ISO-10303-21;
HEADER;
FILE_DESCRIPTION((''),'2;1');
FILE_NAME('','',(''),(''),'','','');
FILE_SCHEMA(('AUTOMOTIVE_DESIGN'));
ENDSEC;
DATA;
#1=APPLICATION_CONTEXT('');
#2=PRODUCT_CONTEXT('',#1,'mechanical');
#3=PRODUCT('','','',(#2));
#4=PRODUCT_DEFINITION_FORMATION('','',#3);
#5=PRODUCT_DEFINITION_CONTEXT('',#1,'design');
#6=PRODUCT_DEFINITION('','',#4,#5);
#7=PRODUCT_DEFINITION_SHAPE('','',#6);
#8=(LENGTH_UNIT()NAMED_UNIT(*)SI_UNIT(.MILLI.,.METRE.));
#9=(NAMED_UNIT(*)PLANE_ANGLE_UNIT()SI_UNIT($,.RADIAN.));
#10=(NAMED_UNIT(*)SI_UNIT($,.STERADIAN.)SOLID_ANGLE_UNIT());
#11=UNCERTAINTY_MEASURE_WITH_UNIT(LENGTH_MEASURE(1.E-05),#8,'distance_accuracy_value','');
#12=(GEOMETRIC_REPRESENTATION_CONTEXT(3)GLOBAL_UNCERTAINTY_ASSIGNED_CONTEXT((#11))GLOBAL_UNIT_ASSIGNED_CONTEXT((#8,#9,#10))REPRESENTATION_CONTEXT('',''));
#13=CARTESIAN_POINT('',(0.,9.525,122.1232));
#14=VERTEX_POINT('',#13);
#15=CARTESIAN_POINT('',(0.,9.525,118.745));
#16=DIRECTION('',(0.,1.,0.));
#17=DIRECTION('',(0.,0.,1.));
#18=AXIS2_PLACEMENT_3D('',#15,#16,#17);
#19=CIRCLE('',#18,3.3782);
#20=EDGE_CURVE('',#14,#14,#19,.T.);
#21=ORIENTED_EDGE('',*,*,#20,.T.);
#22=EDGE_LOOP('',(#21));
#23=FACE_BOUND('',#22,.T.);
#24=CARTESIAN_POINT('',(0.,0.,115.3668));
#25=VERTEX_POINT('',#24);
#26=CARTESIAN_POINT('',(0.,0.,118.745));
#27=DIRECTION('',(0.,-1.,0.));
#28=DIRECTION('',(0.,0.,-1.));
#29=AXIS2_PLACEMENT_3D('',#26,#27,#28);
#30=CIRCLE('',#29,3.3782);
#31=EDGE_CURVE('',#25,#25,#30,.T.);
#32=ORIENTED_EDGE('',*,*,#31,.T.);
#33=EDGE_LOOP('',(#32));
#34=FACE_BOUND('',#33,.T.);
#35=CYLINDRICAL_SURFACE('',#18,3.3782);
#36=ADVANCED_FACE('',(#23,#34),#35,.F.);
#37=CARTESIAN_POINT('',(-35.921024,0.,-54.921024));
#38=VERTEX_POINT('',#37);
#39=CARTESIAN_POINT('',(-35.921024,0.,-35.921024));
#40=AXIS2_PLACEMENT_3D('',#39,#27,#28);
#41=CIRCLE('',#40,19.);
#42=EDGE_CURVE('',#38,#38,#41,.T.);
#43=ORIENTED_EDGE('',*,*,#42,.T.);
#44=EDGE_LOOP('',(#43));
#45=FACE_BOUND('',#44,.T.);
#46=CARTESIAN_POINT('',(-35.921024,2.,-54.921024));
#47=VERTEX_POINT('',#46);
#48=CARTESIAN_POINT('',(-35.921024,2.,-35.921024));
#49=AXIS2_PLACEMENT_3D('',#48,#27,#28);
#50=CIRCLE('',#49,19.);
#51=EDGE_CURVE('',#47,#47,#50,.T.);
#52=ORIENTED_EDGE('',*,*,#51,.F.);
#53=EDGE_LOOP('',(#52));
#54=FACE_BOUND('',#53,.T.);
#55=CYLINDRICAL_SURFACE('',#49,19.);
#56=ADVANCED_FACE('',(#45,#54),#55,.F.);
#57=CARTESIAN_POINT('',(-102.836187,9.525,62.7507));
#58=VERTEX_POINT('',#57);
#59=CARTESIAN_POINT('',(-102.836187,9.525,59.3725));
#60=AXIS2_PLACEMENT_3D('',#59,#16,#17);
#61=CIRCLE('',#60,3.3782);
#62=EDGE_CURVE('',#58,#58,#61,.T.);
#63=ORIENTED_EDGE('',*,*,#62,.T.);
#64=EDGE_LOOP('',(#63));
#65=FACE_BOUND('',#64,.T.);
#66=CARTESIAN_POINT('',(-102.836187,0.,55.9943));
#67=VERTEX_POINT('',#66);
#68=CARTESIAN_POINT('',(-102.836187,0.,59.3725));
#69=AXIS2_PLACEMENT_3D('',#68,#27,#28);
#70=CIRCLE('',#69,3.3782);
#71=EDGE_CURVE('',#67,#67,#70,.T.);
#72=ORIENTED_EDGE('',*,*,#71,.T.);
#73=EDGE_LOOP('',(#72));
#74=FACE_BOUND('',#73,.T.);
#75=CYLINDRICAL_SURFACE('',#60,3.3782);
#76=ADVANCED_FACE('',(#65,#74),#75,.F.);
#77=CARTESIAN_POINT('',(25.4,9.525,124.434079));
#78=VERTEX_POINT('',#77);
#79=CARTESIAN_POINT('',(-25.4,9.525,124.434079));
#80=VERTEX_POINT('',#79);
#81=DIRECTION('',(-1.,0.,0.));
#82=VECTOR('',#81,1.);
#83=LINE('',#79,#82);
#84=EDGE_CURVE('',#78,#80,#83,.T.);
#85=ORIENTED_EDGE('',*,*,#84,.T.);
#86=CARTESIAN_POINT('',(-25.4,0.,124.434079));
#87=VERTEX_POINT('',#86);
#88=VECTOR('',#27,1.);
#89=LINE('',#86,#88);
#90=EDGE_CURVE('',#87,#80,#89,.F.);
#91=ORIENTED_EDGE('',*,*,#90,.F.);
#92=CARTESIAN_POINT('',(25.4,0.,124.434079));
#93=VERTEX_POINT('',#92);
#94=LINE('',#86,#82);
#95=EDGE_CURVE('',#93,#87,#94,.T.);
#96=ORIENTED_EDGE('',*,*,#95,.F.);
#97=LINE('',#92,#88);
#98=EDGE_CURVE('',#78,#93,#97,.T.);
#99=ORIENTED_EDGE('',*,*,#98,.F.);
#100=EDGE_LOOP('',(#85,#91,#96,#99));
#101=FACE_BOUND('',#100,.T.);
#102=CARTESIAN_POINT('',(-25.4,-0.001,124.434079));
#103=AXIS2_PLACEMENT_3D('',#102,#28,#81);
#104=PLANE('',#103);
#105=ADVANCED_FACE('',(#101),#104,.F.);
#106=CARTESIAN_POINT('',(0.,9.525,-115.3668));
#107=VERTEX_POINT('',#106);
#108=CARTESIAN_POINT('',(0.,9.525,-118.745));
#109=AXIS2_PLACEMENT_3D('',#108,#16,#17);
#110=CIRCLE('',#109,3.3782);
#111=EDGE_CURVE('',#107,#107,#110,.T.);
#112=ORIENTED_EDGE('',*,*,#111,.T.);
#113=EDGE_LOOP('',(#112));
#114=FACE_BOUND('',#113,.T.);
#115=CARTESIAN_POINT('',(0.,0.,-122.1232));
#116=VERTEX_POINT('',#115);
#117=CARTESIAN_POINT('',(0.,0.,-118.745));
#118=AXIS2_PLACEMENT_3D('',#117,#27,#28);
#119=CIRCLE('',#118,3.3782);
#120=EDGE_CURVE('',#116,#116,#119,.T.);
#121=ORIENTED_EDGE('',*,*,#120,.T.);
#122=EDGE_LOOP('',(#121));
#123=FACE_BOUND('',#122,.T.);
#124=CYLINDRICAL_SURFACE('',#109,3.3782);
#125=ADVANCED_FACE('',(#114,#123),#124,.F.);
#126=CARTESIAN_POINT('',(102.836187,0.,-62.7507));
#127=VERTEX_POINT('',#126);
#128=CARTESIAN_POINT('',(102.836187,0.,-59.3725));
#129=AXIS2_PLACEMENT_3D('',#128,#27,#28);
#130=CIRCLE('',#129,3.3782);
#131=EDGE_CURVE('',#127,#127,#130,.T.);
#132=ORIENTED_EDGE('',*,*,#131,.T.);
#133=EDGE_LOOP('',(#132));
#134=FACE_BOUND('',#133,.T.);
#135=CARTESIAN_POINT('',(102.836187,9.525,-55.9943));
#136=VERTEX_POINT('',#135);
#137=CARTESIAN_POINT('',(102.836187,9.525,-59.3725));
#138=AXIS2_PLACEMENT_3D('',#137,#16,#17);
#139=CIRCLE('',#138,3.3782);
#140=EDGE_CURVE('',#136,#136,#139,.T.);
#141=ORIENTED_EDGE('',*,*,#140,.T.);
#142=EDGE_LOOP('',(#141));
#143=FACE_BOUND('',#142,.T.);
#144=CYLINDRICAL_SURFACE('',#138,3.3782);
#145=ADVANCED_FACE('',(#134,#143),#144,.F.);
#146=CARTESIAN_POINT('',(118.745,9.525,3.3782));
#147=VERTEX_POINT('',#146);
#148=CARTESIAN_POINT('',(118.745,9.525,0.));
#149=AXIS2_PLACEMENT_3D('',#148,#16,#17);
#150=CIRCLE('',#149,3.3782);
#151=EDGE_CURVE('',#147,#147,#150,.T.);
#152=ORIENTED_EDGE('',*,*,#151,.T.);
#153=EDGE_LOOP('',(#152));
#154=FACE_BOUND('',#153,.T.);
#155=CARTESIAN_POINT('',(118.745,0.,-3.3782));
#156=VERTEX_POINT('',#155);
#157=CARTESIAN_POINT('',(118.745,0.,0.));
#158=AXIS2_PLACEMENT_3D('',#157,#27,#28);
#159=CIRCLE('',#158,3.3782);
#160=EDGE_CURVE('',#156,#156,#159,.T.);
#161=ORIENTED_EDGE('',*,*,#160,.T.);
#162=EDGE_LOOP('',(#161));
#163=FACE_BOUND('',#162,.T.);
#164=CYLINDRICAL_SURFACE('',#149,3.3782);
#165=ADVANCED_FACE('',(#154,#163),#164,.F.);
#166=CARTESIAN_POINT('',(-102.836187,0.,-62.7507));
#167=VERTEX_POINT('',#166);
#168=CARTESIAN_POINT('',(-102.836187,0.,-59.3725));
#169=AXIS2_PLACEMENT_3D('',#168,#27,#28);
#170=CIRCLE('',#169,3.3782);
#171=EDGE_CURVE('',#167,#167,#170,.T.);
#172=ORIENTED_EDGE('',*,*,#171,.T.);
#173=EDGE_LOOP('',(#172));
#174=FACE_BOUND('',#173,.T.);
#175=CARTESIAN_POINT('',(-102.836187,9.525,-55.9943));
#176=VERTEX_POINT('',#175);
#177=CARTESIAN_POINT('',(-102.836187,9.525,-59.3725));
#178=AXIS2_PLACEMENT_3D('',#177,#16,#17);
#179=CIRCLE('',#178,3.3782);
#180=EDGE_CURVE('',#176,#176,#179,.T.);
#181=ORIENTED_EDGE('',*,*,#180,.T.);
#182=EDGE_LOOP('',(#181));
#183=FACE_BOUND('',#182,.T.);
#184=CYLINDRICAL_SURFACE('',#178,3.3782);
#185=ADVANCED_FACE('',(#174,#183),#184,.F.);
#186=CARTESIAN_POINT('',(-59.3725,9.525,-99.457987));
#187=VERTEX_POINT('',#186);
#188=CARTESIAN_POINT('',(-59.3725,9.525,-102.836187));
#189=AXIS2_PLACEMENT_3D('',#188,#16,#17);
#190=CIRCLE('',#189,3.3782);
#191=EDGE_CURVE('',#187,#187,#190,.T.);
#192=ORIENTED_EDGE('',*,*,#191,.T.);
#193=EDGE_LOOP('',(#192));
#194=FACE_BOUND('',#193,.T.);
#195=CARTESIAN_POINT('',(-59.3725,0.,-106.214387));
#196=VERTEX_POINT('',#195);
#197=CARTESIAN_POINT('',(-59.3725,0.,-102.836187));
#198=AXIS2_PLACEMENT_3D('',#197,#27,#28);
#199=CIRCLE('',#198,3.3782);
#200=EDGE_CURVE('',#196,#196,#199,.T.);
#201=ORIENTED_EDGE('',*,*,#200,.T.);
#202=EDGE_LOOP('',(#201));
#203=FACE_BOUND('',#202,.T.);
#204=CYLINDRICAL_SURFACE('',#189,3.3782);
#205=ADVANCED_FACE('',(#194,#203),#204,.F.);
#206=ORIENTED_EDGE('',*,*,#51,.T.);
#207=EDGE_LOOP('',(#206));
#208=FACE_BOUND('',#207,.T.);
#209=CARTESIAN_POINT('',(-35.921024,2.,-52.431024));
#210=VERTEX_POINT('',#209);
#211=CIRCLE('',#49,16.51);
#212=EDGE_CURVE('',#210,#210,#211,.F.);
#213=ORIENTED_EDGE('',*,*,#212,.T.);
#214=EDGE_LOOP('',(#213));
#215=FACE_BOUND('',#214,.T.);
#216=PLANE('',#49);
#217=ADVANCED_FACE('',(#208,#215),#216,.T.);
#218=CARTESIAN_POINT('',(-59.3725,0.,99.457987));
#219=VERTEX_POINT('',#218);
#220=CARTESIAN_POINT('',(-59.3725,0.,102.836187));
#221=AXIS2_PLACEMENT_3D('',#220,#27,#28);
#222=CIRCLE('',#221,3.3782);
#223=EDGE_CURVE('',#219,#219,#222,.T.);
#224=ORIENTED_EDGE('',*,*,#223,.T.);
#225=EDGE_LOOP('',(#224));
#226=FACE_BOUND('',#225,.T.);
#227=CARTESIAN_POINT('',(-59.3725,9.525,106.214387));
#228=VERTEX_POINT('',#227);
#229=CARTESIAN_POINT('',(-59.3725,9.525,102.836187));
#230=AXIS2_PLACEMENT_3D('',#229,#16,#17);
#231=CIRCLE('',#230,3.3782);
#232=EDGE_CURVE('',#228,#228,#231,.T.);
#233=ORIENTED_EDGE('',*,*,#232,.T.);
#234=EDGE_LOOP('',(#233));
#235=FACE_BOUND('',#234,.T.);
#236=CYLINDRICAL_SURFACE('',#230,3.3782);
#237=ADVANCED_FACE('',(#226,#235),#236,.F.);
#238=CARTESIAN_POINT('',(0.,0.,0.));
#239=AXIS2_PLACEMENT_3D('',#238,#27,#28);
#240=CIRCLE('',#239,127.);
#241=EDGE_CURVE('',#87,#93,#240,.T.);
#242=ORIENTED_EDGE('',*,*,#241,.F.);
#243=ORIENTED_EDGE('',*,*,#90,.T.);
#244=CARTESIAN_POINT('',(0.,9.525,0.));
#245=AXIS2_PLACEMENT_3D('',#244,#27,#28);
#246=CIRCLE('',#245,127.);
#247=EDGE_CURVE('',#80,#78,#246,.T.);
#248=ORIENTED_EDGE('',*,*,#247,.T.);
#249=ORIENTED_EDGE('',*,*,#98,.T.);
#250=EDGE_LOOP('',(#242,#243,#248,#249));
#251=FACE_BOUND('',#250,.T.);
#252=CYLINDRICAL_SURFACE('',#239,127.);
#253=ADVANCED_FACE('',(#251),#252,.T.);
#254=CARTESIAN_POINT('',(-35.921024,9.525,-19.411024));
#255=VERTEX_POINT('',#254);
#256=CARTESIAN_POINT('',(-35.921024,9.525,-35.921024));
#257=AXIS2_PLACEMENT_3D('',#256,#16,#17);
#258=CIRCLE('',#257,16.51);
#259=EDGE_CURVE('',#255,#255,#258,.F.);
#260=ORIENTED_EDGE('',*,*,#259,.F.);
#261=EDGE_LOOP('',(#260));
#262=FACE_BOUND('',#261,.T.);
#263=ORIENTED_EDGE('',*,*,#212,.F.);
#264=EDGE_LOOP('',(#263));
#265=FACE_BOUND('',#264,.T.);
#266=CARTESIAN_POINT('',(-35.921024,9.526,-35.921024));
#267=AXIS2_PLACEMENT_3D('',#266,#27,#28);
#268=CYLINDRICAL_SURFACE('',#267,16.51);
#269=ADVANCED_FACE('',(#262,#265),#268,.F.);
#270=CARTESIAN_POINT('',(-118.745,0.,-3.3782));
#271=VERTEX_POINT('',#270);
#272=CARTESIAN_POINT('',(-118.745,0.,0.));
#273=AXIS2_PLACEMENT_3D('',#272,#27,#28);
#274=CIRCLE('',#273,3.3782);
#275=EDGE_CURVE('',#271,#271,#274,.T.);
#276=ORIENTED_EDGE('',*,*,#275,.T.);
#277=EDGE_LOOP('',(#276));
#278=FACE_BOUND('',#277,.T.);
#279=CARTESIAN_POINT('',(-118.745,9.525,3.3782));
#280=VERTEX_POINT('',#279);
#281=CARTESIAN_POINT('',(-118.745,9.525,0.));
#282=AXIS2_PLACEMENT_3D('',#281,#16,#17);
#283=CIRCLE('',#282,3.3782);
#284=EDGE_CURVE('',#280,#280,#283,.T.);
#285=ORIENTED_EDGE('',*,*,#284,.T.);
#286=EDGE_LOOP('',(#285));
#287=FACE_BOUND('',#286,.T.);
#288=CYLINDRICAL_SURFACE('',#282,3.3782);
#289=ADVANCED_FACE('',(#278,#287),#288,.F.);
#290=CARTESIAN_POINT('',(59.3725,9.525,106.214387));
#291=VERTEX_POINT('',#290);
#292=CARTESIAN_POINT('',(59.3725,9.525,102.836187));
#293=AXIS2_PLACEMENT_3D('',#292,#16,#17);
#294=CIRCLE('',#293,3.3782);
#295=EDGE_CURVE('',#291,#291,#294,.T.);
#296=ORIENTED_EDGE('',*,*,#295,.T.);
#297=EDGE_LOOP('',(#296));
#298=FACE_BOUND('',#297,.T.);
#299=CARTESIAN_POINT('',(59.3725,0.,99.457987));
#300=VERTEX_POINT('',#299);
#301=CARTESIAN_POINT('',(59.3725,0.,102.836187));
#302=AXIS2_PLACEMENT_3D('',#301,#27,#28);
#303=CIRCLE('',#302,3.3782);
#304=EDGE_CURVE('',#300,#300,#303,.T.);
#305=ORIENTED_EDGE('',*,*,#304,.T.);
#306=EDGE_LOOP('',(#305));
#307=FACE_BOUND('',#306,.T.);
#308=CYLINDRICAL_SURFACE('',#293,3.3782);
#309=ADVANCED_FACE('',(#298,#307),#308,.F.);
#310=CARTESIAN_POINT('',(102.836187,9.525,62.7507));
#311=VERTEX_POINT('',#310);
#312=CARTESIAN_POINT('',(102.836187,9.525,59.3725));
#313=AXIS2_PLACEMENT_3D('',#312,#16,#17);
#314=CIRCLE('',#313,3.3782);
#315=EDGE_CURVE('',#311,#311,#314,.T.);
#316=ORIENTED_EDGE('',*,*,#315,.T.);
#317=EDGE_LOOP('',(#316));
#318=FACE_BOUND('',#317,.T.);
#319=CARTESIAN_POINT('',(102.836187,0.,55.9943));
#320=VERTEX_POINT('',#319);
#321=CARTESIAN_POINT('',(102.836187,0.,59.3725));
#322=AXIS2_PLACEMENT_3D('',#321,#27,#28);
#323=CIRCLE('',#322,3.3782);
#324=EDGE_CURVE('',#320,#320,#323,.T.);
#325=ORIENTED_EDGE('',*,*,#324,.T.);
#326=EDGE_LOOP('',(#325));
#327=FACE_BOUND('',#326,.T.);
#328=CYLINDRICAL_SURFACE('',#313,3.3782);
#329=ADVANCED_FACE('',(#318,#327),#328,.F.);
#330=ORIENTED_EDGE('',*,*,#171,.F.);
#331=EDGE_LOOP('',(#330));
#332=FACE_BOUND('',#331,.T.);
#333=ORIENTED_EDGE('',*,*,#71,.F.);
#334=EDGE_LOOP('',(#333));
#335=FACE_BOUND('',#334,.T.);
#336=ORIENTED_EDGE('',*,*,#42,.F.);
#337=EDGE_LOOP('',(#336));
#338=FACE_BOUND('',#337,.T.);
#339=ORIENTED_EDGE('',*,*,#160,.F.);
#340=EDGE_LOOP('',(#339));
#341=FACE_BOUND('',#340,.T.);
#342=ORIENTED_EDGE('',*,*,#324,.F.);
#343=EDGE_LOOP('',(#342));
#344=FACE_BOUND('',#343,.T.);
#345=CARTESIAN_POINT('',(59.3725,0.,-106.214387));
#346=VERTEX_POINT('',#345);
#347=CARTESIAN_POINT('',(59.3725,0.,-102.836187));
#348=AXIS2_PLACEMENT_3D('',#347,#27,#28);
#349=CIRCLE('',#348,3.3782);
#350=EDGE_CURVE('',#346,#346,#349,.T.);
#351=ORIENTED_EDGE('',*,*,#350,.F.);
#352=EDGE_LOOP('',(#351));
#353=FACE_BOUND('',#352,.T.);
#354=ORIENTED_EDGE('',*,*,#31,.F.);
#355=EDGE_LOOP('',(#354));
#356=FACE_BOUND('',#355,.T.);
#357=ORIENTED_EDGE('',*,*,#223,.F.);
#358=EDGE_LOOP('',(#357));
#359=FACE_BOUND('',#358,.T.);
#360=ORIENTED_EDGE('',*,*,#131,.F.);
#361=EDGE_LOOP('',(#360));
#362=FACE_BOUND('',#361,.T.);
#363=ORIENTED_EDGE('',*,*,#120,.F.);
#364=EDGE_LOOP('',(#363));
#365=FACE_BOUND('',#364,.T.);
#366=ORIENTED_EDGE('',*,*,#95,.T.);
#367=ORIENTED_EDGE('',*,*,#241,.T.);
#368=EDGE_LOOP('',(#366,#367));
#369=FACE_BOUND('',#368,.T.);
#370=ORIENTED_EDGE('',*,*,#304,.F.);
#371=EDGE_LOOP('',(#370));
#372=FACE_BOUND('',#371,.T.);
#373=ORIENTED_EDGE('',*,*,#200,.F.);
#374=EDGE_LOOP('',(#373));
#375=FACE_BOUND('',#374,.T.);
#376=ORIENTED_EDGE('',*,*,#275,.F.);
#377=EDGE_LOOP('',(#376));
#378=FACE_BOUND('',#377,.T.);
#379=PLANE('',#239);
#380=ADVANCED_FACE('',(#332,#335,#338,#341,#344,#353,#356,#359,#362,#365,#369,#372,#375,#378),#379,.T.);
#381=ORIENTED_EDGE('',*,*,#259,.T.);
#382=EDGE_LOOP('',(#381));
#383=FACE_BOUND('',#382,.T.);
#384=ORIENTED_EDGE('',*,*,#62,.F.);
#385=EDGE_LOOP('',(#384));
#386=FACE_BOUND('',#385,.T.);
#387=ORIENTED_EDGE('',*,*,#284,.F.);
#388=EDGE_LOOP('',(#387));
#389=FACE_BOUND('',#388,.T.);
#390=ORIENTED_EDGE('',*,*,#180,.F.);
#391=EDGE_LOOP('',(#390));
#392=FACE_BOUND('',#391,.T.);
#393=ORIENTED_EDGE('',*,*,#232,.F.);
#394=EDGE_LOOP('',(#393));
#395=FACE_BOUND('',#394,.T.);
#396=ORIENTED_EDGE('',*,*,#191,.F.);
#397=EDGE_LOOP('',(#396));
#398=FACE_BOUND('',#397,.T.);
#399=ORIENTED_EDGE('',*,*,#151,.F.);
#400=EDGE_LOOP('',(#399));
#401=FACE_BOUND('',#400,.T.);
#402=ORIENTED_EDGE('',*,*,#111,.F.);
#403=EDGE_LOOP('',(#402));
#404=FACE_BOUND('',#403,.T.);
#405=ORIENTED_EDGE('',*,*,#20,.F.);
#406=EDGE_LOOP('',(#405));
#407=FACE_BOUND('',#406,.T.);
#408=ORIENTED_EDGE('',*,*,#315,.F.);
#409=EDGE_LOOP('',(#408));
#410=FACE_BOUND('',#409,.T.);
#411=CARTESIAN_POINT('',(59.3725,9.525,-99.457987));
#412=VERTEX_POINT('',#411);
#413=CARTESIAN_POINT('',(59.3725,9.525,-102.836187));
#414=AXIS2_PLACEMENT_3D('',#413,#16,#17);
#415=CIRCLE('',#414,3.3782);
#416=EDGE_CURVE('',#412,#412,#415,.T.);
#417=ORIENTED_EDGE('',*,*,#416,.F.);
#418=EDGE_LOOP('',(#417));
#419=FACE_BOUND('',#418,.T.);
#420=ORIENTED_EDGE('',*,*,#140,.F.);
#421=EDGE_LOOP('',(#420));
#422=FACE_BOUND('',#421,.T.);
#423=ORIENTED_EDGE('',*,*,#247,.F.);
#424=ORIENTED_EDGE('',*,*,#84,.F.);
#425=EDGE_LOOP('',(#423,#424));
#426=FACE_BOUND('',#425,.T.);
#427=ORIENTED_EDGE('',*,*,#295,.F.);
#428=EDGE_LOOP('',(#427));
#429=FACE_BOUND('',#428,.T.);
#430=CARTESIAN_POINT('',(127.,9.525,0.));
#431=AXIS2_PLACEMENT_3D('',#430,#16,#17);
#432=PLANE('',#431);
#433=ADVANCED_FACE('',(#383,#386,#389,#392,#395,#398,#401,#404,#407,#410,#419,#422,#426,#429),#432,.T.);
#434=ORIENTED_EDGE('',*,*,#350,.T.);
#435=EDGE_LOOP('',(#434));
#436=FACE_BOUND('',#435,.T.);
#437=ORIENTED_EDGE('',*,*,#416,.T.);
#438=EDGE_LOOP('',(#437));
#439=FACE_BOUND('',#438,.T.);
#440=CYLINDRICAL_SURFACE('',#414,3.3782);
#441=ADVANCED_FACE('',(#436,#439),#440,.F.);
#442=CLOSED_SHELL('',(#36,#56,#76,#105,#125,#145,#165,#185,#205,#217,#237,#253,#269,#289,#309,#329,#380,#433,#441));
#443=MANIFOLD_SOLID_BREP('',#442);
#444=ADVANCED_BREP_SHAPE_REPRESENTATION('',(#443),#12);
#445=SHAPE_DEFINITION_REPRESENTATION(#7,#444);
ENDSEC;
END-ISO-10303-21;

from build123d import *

# Parameters (mm, degrees)
SKETCH1_W               = 127
SKETCH1_H               = 9.525
F_1_4_CLEARANCE_HOLE1_D = 6.7564
CUT_EXTRUDE1_REACH      = 181.858
SKETCH4_W               = 50.8
SKETCH4_H               = 2.565921067
CUT_EXTRUDE2_REACH      = 181.858
SKETCH6_R               = 16.51
SKETCH7_R               = 19
CUT_EXTRUDE3_DEPTH      = 2


with BuildPart() as part:
    # Sketch1 → Revolve1 (revolve)
    with BuildSketch(Plane.XY, mode=Mode.PRIVATE) as revolve1_sk:
        with Locations((63.5, 4.7625)):
            Rectangle(SKETCH1_W, SKETCH1_H)
    revolve(revolve1_sk.sketch.rotate(Axis((0, 0, 0), (0, 1, 0)), 90), axis=Axis((0, 0, 0), (0, 1, 0)))

    # 1/4 Clearance Hole1 (through all)
    with Locations(Plane(origin=(0, 9.525, 0), x_dir=(1, 0, 0), z_dir=(0, 1, 0))):
        with Locations((0, 118.745), (59.3725, 102.836186572), (102.836186572, 59.3725), (118.745, 0), (102.836186572, -59.3725), (59.3725, -102.836186572), (0, -118.745), (-59.3725, -102.836186572), (-102.836186572, -59.3725), (-118.745, 0), (-102.836186572, 59.3725), (-59.3725, 102.836186572)):
            Hole(F_1_4_CLEARANCE_HOLE1_D / 2)

    # Sketch4 → Cut-Extrude1 (cut, up to next)
    with BuildSketch(Plane(origin=(0, 9.525, 0), x_dir=(1, 0, 0), z_dir=(0, 1, 0)), mode=Mode.PRIVATE) as cut_extrude1_sk1:
        with Locations((0, -125.717039467)):
            Rectangle(SKETCH4_W, SKETCH4_H)
    cut_extrude1_tool1 = extrude(cut_extrude1_sk1.sketch, amount=-CUT_EXTRUDE1_REACH, mode=Mode.PRIVATE) & part.part
    add(cut_extrude1_tool1.solids().sort_by_distance((0, 9.525, 125.717039))[0], mode=Mode.SUBTRACT)

    # Sketch6 → Cut-Extrude2 (cut, up to next)
    with BuildSketch(Plane.XZ, mode=Mode.PRIVATE) as cut_extrude2_sk1:
        with Locations(Location((-35.921024484, -35.921024484, 0), (0, 0, 270))):
            Circle(SKETCH6_R)
    cut_extrude2_tool1 = extrude(cut_extrude2_sk1.sketch, amount=-CUT_EXTRUDE2_REACH, mode=Mode.PRIVATE) & part.part
    add(cut_extrude2_tool1.solids().sort_by_distance((-35.921024, 0, -35.921024))[0], mode=Mode.SUBTRACT)

    # Sketch7 → Cut-Extrude3 (cut)
    with BuildSketch(Plane.XZ):
        with Locations(Location((-35.921024484, -35.921024484, 0), (0, 0, 270))):
            Circle(SKETCH7_R)
    extrude(amount=-CUT_EXTRUDE3_DEPTH, mode=Mode.SUBTRACT)


solid = part.part
